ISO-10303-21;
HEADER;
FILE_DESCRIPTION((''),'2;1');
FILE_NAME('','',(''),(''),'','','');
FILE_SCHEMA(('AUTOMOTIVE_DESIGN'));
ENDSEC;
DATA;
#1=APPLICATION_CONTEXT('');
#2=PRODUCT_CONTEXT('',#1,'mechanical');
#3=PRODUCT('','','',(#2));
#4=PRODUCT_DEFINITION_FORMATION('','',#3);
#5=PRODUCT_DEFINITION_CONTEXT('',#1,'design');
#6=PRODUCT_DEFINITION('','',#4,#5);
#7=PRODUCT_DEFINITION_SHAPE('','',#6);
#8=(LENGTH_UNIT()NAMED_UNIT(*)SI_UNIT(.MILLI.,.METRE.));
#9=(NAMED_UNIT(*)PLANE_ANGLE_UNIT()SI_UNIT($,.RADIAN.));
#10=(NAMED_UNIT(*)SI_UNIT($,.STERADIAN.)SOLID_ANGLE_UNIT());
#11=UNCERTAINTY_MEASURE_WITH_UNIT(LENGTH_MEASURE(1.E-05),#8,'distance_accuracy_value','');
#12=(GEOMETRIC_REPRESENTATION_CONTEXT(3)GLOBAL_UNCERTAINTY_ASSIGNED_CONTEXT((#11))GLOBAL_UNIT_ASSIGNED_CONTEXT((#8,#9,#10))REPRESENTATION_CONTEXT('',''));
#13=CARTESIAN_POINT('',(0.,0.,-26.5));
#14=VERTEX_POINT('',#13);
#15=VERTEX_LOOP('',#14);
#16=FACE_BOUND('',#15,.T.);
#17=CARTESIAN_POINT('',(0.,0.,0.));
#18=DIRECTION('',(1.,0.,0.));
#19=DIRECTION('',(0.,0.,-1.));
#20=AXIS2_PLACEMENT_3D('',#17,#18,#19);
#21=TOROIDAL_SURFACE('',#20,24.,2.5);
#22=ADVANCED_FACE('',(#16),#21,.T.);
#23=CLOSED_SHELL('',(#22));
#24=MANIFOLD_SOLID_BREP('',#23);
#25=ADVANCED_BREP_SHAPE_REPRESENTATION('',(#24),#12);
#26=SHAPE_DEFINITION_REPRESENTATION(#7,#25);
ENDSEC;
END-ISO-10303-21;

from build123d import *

# Parameters (mm, degrees)
ESQUISSE1_R = 2.5


with BuildPart() as part:
    # Esquisse1 → Révolution1 (revolve)
    with BuildSketch(Plane.XY):
        with Locations((0, 24)):
            Circle(ESQUISSE1_R)
    revolve(axis=Axis((0, 0, 0), (-1, 0, 0)))


solid = part.part
